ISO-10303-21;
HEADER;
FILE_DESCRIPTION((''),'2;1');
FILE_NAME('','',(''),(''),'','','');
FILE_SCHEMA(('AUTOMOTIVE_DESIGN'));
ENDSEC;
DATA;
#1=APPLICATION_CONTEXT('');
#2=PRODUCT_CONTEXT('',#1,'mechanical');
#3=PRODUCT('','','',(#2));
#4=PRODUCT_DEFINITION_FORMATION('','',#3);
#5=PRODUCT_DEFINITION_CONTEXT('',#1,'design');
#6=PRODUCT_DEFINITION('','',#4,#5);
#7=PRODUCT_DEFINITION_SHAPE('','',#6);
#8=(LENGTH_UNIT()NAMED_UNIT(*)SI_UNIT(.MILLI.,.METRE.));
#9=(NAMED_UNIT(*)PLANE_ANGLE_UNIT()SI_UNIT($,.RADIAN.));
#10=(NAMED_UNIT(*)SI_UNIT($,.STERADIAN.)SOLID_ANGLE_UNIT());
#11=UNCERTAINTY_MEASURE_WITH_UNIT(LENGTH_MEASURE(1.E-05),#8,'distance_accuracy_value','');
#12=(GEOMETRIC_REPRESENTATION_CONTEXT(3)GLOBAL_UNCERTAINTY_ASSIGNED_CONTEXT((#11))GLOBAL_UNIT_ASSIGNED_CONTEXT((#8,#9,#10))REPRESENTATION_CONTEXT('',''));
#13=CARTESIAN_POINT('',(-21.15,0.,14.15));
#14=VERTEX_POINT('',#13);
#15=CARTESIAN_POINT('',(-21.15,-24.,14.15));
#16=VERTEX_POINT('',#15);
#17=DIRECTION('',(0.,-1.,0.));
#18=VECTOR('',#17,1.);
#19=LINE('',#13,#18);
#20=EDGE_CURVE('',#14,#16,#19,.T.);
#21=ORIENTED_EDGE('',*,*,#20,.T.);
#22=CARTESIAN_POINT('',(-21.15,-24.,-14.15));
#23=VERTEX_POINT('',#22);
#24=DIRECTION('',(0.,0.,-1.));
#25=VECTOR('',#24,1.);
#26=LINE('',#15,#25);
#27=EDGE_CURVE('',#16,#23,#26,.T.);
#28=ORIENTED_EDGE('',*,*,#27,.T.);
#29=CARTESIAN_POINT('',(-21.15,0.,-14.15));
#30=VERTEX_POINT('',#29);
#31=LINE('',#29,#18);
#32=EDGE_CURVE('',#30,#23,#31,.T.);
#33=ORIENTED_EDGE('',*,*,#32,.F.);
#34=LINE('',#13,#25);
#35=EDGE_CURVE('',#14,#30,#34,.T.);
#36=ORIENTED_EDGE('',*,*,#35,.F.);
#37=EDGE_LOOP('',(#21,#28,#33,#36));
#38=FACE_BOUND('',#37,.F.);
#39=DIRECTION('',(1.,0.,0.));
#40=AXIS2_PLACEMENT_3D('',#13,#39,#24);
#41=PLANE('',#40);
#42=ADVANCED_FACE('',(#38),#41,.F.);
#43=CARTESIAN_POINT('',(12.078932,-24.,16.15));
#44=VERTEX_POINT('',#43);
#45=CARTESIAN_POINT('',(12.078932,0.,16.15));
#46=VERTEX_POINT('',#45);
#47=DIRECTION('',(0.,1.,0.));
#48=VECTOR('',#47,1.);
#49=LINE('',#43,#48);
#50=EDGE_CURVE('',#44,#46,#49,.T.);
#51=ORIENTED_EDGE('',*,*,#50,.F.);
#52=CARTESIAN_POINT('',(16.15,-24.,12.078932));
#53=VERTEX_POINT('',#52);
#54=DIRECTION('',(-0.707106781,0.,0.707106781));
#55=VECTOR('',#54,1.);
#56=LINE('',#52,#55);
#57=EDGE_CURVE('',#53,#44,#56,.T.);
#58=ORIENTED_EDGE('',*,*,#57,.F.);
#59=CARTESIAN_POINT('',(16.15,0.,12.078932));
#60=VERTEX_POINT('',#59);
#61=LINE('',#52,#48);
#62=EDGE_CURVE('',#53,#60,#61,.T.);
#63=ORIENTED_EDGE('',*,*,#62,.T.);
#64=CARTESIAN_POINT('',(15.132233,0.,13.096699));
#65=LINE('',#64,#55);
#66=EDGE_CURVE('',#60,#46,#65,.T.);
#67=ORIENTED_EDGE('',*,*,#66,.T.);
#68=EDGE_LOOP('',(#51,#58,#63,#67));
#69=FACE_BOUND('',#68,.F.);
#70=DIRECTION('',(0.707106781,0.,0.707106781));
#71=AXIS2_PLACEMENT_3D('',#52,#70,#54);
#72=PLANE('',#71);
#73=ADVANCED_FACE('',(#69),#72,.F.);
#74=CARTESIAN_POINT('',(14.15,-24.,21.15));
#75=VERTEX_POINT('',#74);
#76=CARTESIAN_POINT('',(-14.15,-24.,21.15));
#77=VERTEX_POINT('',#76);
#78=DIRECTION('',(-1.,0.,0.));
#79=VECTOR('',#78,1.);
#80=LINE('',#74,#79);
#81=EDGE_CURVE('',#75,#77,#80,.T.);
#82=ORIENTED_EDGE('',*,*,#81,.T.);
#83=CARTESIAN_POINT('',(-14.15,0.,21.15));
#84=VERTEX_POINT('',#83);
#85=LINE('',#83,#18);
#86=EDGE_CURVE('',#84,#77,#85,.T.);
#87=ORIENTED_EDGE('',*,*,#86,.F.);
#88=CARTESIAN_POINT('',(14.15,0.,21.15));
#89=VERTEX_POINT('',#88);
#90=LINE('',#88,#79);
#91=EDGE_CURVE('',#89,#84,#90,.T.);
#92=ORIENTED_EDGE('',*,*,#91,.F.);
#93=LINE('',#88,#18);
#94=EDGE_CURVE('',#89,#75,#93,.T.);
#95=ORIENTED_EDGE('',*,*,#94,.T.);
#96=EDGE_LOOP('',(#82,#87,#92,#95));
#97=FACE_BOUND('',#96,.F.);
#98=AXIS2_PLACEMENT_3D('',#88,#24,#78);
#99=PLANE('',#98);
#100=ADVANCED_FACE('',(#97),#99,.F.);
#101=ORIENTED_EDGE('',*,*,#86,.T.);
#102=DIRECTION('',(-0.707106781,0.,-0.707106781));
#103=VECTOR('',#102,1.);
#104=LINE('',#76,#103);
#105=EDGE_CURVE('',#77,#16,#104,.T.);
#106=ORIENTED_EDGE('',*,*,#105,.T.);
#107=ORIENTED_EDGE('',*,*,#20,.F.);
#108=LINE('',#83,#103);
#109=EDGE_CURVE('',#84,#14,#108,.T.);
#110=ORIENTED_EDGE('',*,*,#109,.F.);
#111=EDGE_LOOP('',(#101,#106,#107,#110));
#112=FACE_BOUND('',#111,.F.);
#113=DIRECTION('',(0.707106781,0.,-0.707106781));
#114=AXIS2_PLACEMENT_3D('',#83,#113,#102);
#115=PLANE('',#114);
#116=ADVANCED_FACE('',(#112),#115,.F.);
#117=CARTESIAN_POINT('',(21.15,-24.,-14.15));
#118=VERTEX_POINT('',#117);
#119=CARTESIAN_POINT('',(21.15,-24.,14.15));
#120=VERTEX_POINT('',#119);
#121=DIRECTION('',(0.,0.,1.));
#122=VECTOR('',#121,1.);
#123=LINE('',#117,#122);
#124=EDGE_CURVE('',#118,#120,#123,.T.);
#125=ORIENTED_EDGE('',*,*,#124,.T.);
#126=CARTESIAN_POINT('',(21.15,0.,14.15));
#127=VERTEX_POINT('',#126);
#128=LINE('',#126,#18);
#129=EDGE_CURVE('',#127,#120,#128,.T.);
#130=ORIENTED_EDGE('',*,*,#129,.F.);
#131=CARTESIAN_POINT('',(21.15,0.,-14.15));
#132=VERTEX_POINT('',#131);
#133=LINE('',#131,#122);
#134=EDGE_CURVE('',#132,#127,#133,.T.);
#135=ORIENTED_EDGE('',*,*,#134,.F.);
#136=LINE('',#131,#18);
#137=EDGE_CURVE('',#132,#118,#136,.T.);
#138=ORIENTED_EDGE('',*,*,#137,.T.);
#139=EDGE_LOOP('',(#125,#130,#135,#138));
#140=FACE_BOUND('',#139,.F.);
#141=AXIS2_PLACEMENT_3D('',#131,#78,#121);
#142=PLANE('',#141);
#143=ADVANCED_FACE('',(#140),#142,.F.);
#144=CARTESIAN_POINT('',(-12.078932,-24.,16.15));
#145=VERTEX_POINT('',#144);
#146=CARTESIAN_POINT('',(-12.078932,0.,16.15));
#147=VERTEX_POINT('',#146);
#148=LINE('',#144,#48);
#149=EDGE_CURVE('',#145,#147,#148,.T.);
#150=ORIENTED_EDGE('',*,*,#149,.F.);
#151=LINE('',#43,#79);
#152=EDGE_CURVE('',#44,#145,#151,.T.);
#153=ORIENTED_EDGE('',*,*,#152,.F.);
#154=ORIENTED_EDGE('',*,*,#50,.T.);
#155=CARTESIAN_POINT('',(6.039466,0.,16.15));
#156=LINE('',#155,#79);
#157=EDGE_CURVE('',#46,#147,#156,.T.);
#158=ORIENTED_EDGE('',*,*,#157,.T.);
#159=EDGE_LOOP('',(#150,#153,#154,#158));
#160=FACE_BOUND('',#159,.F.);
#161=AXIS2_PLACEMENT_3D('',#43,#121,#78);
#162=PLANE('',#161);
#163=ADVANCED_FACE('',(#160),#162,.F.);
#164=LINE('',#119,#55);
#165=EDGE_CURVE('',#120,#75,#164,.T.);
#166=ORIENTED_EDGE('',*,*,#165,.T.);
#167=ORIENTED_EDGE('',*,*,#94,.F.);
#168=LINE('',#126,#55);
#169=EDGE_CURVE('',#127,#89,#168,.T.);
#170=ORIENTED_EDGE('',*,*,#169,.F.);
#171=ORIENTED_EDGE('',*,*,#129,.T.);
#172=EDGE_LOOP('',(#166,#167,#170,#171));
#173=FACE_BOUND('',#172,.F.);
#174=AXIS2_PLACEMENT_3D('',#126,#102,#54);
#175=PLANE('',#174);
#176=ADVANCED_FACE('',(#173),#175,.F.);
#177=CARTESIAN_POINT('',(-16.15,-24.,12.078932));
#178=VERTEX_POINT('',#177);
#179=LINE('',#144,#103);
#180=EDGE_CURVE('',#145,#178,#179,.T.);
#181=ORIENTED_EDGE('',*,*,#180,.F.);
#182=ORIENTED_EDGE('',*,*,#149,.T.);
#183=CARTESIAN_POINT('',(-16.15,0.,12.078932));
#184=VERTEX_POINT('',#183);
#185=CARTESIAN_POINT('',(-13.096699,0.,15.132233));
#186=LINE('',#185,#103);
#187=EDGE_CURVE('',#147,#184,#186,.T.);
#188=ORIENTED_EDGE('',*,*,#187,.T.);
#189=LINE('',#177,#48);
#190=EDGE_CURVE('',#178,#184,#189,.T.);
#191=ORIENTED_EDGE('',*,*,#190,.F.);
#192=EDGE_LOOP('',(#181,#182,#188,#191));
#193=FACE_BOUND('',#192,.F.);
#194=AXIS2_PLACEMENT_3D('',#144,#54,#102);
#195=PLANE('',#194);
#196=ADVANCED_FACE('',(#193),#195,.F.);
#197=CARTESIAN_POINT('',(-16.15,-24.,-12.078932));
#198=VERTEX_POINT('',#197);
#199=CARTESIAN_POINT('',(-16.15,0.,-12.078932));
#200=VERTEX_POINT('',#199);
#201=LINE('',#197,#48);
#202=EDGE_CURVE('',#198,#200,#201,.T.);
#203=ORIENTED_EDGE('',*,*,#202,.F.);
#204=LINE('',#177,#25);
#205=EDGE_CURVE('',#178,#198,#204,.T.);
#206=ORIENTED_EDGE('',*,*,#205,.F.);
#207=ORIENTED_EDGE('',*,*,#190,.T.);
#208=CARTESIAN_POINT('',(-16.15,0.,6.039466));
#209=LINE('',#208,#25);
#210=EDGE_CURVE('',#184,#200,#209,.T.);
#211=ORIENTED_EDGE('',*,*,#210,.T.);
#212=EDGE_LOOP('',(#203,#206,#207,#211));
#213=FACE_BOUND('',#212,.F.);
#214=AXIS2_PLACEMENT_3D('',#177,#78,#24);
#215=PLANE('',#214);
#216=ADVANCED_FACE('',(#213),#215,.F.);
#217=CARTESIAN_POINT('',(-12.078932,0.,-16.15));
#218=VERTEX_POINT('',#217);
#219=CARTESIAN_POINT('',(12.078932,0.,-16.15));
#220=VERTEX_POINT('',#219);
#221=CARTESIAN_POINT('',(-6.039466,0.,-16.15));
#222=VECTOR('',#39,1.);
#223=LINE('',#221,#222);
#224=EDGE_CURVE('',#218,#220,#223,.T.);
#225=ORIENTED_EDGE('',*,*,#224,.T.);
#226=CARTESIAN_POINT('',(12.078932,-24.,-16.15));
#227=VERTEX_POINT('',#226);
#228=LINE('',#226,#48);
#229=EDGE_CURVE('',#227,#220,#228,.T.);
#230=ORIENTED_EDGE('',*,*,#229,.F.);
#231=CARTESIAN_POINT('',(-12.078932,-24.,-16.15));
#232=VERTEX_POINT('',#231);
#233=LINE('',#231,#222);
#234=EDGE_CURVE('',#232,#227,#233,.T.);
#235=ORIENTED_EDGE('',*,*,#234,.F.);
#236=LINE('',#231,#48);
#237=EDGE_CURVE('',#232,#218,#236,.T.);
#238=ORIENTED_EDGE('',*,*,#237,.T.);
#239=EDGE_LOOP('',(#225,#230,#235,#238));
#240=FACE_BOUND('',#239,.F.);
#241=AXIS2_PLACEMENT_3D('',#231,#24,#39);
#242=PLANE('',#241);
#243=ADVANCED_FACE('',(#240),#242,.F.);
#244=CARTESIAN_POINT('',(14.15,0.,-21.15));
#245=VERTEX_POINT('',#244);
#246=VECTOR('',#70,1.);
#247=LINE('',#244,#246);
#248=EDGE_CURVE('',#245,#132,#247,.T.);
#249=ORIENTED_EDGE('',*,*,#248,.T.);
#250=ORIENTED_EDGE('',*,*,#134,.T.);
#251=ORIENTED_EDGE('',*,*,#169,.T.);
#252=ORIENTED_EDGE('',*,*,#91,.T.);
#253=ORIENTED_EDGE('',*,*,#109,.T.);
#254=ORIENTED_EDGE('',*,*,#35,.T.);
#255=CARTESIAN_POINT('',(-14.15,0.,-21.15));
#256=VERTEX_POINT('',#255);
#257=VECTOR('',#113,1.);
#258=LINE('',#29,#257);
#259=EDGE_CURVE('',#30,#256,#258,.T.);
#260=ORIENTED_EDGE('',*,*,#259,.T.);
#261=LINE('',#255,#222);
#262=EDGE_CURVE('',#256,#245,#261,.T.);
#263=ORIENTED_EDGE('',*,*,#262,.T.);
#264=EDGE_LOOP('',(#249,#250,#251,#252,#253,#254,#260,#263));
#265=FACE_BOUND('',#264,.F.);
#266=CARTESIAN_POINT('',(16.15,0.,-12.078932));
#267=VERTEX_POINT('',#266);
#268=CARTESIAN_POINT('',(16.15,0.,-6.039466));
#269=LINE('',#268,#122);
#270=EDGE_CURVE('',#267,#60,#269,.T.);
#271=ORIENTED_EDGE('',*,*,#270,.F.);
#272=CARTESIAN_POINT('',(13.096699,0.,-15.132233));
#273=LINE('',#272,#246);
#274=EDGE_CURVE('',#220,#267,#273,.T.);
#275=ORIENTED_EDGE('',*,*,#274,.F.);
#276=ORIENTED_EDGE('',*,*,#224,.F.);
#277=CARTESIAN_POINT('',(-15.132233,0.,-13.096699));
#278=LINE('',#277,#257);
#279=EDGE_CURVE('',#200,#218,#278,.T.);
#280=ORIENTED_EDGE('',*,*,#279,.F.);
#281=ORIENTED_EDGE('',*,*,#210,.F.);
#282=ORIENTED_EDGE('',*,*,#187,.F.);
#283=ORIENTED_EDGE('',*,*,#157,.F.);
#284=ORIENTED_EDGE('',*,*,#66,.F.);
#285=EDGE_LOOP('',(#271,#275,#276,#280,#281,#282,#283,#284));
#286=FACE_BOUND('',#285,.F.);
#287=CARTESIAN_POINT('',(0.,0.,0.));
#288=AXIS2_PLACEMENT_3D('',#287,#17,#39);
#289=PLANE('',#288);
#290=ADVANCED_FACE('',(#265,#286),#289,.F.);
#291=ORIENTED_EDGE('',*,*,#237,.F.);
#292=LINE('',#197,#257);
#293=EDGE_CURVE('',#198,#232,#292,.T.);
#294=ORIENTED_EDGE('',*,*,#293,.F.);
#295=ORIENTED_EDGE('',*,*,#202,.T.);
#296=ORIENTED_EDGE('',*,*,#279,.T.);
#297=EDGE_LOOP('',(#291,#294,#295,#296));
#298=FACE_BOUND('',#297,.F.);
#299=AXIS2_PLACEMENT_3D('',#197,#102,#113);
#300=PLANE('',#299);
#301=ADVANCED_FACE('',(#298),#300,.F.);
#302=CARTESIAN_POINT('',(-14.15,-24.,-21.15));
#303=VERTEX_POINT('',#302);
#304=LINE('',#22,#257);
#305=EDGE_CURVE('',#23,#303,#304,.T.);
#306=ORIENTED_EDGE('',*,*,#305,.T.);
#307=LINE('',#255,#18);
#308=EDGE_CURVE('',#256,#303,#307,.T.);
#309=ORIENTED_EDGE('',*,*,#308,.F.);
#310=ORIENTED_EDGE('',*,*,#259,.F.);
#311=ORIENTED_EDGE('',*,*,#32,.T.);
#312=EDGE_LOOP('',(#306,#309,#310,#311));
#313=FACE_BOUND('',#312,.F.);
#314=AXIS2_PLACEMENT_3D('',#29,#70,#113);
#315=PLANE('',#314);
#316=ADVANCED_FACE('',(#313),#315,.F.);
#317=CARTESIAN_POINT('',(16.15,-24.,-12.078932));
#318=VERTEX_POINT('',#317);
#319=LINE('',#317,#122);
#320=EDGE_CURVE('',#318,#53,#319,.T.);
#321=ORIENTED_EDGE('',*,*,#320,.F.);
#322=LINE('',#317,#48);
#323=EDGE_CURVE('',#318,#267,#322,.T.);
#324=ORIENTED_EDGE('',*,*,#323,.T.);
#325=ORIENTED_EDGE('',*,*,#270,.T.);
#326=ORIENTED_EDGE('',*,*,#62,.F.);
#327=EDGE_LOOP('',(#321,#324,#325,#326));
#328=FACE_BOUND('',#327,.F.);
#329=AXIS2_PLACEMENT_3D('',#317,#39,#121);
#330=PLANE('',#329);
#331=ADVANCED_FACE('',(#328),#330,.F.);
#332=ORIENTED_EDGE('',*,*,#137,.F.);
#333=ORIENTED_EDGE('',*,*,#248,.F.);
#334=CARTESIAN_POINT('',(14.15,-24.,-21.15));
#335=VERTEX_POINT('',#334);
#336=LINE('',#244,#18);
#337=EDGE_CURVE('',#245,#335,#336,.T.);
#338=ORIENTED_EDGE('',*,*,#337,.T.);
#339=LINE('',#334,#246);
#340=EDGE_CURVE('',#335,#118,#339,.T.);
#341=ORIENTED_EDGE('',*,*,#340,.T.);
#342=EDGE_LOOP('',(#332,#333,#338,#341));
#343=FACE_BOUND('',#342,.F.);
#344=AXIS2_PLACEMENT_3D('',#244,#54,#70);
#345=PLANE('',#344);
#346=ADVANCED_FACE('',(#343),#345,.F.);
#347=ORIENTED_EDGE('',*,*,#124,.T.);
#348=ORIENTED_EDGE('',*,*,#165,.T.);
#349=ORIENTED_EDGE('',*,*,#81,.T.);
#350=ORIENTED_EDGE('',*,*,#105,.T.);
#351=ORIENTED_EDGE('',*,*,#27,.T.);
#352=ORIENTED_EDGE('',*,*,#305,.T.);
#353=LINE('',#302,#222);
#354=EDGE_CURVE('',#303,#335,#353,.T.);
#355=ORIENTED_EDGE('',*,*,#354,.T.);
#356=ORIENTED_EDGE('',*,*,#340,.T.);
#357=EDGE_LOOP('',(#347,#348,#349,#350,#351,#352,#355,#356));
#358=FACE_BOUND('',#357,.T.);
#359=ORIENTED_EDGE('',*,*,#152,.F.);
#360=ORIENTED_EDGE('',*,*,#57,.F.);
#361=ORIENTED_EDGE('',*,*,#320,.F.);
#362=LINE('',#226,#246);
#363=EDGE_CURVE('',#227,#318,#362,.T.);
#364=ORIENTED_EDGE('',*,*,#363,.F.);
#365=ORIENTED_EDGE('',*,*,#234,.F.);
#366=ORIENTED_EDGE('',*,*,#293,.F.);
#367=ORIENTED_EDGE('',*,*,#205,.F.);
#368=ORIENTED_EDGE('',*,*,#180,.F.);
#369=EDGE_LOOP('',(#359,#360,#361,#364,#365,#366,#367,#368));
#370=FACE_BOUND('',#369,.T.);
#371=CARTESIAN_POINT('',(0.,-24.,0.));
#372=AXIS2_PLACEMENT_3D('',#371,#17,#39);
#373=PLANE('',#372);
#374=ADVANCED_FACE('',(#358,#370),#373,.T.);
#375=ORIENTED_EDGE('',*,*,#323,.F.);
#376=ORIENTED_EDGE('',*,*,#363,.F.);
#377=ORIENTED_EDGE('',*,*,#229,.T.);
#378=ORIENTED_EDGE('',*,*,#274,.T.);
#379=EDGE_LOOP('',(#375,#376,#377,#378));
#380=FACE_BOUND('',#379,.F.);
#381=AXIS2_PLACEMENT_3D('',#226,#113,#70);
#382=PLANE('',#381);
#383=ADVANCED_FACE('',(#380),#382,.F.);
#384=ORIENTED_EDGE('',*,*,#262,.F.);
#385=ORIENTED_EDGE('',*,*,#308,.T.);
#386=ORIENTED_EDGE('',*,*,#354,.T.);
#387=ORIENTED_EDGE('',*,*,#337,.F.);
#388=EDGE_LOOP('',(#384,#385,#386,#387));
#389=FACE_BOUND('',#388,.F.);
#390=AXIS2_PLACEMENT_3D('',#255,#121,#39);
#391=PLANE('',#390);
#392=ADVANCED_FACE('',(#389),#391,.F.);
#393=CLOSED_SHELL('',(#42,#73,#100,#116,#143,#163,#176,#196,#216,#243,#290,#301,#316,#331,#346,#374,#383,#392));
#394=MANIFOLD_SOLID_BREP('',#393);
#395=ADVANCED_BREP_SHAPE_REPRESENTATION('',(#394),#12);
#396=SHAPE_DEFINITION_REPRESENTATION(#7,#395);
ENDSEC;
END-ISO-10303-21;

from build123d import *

# Parameters (mm, degrees)
F1_DEPTH = 24
F3_DEPTH = 24.001


with BuildPart() as f1:
    # F0 (on Front) → F1 (new body)
    with BuildSketch(Plane.XZ):
        Polygon((21.15, 14.15), (14.15, 21.15), (-14.15, 21.15), (-21.15, 14.15), (-21.15, -14.15), (-14.15, -21.15), (14.15, -21.15), (21.15, -14.15), align=None)
    extrude(amount=F1_DEPTH)

    # F2 (on face) → F3 (cut, through all)
    with BuildSketch(Plane.XZ.offset(24)):
        Polygon((12.078932, -16.15), (16.15, -12.078932), (16.15, 12.078932), (12.078932, 16.15), (-12.078932, 16.15), (-16.15, 12.078932), (-16.15, -12.078932), (-12.078932, -16.15), align=None)
    extrude(amount=-F3_DEPTH, mode=Mode.SUBTRACT)


solid = f1.part
